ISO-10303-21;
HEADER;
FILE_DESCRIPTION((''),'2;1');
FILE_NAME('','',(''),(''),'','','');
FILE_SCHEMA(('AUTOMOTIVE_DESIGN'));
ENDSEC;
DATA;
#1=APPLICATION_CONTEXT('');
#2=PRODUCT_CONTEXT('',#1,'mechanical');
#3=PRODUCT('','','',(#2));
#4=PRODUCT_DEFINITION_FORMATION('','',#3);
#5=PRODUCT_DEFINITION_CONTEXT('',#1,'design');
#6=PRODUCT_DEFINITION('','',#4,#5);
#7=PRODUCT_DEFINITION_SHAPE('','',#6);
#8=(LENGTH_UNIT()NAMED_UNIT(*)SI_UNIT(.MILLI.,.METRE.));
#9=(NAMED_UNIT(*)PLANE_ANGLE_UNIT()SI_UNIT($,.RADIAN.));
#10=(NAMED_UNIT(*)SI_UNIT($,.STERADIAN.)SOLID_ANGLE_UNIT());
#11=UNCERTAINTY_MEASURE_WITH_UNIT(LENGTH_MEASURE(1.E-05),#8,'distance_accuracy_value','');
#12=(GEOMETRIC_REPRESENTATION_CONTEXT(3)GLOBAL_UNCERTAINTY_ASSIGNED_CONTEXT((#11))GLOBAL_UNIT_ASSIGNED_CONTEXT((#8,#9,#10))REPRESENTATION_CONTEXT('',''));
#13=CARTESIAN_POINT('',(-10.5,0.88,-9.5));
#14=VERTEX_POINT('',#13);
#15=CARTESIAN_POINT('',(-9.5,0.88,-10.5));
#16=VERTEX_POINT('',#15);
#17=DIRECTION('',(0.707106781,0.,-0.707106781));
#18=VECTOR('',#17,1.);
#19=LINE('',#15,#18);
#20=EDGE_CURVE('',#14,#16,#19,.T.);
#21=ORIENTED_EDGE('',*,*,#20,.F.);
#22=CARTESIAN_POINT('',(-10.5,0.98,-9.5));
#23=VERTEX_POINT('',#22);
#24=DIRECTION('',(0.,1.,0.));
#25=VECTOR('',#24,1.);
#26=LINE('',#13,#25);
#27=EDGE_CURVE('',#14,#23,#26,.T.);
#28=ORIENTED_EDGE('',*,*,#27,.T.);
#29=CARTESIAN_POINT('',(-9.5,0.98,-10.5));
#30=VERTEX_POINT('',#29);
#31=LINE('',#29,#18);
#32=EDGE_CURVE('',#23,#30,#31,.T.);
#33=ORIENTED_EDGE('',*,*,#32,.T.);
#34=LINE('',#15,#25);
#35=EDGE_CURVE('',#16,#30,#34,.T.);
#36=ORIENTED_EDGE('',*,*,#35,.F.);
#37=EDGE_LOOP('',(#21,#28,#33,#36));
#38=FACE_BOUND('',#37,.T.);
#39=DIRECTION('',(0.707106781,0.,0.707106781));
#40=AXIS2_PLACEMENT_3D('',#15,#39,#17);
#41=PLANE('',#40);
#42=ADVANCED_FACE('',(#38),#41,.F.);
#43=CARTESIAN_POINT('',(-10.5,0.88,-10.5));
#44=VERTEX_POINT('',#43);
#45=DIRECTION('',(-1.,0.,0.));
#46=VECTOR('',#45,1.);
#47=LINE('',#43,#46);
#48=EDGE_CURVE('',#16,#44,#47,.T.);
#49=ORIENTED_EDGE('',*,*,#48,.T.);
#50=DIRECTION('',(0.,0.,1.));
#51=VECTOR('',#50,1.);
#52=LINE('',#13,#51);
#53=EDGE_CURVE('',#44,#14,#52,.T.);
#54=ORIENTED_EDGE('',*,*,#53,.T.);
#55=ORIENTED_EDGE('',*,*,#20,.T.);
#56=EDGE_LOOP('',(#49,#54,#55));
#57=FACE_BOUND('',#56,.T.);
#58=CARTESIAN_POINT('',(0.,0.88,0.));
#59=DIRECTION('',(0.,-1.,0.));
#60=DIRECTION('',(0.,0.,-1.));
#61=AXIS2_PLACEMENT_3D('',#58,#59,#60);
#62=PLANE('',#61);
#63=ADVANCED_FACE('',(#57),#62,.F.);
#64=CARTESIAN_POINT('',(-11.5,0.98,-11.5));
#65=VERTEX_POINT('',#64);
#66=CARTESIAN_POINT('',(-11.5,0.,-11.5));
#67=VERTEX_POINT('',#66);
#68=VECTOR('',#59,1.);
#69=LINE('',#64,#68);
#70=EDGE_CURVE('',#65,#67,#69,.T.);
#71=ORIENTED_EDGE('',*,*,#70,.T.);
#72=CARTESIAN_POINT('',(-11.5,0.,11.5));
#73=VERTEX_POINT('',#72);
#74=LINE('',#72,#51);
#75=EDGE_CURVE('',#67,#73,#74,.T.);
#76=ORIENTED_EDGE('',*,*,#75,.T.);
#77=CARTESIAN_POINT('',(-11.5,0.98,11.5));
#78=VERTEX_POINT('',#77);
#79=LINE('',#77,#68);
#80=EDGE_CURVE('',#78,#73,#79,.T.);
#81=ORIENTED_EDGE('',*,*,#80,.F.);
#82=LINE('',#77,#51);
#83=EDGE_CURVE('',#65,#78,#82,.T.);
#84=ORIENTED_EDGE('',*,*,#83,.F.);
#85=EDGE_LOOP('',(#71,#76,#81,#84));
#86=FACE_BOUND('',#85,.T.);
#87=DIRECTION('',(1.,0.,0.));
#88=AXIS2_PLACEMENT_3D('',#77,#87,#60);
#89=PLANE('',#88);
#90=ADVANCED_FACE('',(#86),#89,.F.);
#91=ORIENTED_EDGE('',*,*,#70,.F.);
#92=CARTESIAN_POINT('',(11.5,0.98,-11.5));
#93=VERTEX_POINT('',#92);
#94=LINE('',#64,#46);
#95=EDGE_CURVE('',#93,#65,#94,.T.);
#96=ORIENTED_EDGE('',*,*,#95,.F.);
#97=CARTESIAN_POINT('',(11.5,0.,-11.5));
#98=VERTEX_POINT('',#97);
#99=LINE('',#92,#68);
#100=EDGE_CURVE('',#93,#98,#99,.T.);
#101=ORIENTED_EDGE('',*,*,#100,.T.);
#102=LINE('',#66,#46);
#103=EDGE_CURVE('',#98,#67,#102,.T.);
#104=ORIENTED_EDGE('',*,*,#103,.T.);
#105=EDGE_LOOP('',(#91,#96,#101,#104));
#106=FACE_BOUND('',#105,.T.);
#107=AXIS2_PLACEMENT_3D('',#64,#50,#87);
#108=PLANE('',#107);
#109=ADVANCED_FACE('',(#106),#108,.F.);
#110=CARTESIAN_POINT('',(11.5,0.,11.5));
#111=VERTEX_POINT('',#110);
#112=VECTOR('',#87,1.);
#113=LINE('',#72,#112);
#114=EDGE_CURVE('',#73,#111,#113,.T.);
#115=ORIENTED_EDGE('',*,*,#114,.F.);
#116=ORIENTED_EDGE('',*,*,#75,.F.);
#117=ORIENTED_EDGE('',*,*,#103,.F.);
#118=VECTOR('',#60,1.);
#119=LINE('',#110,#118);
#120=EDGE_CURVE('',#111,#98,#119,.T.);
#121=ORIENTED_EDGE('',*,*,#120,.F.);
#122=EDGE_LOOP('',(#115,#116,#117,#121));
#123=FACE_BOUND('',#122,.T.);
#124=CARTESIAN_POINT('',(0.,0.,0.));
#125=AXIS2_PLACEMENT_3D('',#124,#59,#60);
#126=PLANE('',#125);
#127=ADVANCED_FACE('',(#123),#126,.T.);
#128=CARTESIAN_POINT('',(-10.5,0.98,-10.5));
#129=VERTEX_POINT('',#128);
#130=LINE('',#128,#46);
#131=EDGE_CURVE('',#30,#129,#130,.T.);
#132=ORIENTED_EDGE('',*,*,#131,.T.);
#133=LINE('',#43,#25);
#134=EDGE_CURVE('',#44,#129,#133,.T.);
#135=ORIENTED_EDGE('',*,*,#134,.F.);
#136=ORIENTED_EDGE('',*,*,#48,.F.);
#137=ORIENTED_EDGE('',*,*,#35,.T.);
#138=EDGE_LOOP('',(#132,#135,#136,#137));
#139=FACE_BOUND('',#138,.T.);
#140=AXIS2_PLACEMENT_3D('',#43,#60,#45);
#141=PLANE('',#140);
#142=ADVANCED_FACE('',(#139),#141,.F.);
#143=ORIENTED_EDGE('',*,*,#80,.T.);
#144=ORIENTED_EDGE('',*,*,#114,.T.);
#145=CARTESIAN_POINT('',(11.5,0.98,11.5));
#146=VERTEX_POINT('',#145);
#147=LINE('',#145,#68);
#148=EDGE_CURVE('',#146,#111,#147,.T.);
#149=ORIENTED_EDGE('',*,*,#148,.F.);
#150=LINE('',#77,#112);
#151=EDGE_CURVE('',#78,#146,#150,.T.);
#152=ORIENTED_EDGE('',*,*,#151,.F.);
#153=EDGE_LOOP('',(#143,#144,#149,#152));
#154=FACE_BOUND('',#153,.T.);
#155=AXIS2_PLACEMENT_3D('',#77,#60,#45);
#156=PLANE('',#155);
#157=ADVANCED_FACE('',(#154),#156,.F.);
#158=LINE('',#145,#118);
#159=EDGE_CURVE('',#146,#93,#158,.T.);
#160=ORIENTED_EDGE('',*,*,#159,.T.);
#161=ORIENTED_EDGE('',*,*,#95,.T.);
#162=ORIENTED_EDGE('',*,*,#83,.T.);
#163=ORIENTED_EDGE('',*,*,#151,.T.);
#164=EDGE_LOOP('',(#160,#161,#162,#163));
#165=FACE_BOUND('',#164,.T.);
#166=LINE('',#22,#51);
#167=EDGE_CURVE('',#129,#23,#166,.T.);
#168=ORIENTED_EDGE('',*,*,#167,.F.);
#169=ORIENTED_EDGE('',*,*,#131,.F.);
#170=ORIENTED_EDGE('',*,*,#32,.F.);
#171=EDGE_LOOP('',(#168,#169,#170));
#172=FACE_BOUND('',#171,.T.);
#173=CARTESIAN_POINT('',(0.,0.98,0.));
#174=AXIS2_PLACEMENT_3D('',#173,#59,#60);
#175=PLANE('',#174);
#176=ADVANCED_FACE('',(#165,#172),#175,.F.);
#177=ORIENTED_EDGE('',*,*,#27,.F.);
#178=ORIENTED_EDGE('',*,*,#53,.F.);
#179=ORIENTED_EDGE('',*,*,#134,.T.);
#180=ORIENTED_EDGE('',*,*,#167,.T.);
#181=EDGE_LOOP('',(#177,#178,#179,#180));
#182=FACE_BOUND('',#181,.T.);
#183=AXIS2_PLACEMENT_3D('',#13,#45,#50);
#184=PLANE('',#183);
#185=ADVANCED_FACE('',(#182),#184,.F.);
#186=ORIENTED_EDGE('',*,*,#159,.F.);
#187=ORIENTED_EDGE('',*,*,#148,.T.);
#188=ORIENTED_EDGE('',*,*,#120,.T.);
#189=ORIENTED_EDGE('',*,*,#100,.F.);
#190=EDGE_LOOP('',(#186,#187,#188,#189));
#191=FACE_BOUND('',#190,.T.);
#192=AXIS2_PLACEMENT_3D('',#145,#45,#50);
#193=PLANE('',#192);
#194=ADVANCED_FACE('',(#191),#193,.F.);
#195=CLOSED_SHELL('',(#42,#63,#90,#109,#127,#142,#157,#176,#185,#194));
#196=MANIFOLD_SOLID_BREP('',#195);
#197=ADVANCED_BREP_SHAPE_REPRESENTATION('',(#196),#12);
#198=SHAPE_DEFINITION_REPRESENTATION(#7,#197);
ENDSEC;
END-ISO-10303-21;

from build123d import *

# Parameters (mm, degrees)
SKETCH1_W           = 23
SKETCH1_H           = 23
BOSS_EXTRUDE1_DEPTH = 0.98
CUT_EXTRUDE1_DEPTH  = 0.1


with BuildPart() as part:
    # Sketch1 → Boss-Extrude1 (new body)
    with BuildSketch(Plane(origin=(0, 0, 0), x_dir=(1, 0, 0), z_dir=(0, 1, 0))):
        Rectangle(SKETCH1_W, SKETCH1_H)
    extrude(amount=BOSS_EXTRUDE1_DEPTH)

    # Sketch2 → Cut-Extrude1 (cut)
    with BuildSketch(Plane(origin=(0, 0.98, 0), x_dir=(1, 0, 0), z_dir=(0, 1, 0))):
        Polygon((-10.5, 10.5), (-9.5, 10.5), (-10.5, 9.5), align=None)
    extrude(amount=-CUT_EXTRUDE1_DEPTH, mode=Mode.SUBTRACT)


solid = part.part
